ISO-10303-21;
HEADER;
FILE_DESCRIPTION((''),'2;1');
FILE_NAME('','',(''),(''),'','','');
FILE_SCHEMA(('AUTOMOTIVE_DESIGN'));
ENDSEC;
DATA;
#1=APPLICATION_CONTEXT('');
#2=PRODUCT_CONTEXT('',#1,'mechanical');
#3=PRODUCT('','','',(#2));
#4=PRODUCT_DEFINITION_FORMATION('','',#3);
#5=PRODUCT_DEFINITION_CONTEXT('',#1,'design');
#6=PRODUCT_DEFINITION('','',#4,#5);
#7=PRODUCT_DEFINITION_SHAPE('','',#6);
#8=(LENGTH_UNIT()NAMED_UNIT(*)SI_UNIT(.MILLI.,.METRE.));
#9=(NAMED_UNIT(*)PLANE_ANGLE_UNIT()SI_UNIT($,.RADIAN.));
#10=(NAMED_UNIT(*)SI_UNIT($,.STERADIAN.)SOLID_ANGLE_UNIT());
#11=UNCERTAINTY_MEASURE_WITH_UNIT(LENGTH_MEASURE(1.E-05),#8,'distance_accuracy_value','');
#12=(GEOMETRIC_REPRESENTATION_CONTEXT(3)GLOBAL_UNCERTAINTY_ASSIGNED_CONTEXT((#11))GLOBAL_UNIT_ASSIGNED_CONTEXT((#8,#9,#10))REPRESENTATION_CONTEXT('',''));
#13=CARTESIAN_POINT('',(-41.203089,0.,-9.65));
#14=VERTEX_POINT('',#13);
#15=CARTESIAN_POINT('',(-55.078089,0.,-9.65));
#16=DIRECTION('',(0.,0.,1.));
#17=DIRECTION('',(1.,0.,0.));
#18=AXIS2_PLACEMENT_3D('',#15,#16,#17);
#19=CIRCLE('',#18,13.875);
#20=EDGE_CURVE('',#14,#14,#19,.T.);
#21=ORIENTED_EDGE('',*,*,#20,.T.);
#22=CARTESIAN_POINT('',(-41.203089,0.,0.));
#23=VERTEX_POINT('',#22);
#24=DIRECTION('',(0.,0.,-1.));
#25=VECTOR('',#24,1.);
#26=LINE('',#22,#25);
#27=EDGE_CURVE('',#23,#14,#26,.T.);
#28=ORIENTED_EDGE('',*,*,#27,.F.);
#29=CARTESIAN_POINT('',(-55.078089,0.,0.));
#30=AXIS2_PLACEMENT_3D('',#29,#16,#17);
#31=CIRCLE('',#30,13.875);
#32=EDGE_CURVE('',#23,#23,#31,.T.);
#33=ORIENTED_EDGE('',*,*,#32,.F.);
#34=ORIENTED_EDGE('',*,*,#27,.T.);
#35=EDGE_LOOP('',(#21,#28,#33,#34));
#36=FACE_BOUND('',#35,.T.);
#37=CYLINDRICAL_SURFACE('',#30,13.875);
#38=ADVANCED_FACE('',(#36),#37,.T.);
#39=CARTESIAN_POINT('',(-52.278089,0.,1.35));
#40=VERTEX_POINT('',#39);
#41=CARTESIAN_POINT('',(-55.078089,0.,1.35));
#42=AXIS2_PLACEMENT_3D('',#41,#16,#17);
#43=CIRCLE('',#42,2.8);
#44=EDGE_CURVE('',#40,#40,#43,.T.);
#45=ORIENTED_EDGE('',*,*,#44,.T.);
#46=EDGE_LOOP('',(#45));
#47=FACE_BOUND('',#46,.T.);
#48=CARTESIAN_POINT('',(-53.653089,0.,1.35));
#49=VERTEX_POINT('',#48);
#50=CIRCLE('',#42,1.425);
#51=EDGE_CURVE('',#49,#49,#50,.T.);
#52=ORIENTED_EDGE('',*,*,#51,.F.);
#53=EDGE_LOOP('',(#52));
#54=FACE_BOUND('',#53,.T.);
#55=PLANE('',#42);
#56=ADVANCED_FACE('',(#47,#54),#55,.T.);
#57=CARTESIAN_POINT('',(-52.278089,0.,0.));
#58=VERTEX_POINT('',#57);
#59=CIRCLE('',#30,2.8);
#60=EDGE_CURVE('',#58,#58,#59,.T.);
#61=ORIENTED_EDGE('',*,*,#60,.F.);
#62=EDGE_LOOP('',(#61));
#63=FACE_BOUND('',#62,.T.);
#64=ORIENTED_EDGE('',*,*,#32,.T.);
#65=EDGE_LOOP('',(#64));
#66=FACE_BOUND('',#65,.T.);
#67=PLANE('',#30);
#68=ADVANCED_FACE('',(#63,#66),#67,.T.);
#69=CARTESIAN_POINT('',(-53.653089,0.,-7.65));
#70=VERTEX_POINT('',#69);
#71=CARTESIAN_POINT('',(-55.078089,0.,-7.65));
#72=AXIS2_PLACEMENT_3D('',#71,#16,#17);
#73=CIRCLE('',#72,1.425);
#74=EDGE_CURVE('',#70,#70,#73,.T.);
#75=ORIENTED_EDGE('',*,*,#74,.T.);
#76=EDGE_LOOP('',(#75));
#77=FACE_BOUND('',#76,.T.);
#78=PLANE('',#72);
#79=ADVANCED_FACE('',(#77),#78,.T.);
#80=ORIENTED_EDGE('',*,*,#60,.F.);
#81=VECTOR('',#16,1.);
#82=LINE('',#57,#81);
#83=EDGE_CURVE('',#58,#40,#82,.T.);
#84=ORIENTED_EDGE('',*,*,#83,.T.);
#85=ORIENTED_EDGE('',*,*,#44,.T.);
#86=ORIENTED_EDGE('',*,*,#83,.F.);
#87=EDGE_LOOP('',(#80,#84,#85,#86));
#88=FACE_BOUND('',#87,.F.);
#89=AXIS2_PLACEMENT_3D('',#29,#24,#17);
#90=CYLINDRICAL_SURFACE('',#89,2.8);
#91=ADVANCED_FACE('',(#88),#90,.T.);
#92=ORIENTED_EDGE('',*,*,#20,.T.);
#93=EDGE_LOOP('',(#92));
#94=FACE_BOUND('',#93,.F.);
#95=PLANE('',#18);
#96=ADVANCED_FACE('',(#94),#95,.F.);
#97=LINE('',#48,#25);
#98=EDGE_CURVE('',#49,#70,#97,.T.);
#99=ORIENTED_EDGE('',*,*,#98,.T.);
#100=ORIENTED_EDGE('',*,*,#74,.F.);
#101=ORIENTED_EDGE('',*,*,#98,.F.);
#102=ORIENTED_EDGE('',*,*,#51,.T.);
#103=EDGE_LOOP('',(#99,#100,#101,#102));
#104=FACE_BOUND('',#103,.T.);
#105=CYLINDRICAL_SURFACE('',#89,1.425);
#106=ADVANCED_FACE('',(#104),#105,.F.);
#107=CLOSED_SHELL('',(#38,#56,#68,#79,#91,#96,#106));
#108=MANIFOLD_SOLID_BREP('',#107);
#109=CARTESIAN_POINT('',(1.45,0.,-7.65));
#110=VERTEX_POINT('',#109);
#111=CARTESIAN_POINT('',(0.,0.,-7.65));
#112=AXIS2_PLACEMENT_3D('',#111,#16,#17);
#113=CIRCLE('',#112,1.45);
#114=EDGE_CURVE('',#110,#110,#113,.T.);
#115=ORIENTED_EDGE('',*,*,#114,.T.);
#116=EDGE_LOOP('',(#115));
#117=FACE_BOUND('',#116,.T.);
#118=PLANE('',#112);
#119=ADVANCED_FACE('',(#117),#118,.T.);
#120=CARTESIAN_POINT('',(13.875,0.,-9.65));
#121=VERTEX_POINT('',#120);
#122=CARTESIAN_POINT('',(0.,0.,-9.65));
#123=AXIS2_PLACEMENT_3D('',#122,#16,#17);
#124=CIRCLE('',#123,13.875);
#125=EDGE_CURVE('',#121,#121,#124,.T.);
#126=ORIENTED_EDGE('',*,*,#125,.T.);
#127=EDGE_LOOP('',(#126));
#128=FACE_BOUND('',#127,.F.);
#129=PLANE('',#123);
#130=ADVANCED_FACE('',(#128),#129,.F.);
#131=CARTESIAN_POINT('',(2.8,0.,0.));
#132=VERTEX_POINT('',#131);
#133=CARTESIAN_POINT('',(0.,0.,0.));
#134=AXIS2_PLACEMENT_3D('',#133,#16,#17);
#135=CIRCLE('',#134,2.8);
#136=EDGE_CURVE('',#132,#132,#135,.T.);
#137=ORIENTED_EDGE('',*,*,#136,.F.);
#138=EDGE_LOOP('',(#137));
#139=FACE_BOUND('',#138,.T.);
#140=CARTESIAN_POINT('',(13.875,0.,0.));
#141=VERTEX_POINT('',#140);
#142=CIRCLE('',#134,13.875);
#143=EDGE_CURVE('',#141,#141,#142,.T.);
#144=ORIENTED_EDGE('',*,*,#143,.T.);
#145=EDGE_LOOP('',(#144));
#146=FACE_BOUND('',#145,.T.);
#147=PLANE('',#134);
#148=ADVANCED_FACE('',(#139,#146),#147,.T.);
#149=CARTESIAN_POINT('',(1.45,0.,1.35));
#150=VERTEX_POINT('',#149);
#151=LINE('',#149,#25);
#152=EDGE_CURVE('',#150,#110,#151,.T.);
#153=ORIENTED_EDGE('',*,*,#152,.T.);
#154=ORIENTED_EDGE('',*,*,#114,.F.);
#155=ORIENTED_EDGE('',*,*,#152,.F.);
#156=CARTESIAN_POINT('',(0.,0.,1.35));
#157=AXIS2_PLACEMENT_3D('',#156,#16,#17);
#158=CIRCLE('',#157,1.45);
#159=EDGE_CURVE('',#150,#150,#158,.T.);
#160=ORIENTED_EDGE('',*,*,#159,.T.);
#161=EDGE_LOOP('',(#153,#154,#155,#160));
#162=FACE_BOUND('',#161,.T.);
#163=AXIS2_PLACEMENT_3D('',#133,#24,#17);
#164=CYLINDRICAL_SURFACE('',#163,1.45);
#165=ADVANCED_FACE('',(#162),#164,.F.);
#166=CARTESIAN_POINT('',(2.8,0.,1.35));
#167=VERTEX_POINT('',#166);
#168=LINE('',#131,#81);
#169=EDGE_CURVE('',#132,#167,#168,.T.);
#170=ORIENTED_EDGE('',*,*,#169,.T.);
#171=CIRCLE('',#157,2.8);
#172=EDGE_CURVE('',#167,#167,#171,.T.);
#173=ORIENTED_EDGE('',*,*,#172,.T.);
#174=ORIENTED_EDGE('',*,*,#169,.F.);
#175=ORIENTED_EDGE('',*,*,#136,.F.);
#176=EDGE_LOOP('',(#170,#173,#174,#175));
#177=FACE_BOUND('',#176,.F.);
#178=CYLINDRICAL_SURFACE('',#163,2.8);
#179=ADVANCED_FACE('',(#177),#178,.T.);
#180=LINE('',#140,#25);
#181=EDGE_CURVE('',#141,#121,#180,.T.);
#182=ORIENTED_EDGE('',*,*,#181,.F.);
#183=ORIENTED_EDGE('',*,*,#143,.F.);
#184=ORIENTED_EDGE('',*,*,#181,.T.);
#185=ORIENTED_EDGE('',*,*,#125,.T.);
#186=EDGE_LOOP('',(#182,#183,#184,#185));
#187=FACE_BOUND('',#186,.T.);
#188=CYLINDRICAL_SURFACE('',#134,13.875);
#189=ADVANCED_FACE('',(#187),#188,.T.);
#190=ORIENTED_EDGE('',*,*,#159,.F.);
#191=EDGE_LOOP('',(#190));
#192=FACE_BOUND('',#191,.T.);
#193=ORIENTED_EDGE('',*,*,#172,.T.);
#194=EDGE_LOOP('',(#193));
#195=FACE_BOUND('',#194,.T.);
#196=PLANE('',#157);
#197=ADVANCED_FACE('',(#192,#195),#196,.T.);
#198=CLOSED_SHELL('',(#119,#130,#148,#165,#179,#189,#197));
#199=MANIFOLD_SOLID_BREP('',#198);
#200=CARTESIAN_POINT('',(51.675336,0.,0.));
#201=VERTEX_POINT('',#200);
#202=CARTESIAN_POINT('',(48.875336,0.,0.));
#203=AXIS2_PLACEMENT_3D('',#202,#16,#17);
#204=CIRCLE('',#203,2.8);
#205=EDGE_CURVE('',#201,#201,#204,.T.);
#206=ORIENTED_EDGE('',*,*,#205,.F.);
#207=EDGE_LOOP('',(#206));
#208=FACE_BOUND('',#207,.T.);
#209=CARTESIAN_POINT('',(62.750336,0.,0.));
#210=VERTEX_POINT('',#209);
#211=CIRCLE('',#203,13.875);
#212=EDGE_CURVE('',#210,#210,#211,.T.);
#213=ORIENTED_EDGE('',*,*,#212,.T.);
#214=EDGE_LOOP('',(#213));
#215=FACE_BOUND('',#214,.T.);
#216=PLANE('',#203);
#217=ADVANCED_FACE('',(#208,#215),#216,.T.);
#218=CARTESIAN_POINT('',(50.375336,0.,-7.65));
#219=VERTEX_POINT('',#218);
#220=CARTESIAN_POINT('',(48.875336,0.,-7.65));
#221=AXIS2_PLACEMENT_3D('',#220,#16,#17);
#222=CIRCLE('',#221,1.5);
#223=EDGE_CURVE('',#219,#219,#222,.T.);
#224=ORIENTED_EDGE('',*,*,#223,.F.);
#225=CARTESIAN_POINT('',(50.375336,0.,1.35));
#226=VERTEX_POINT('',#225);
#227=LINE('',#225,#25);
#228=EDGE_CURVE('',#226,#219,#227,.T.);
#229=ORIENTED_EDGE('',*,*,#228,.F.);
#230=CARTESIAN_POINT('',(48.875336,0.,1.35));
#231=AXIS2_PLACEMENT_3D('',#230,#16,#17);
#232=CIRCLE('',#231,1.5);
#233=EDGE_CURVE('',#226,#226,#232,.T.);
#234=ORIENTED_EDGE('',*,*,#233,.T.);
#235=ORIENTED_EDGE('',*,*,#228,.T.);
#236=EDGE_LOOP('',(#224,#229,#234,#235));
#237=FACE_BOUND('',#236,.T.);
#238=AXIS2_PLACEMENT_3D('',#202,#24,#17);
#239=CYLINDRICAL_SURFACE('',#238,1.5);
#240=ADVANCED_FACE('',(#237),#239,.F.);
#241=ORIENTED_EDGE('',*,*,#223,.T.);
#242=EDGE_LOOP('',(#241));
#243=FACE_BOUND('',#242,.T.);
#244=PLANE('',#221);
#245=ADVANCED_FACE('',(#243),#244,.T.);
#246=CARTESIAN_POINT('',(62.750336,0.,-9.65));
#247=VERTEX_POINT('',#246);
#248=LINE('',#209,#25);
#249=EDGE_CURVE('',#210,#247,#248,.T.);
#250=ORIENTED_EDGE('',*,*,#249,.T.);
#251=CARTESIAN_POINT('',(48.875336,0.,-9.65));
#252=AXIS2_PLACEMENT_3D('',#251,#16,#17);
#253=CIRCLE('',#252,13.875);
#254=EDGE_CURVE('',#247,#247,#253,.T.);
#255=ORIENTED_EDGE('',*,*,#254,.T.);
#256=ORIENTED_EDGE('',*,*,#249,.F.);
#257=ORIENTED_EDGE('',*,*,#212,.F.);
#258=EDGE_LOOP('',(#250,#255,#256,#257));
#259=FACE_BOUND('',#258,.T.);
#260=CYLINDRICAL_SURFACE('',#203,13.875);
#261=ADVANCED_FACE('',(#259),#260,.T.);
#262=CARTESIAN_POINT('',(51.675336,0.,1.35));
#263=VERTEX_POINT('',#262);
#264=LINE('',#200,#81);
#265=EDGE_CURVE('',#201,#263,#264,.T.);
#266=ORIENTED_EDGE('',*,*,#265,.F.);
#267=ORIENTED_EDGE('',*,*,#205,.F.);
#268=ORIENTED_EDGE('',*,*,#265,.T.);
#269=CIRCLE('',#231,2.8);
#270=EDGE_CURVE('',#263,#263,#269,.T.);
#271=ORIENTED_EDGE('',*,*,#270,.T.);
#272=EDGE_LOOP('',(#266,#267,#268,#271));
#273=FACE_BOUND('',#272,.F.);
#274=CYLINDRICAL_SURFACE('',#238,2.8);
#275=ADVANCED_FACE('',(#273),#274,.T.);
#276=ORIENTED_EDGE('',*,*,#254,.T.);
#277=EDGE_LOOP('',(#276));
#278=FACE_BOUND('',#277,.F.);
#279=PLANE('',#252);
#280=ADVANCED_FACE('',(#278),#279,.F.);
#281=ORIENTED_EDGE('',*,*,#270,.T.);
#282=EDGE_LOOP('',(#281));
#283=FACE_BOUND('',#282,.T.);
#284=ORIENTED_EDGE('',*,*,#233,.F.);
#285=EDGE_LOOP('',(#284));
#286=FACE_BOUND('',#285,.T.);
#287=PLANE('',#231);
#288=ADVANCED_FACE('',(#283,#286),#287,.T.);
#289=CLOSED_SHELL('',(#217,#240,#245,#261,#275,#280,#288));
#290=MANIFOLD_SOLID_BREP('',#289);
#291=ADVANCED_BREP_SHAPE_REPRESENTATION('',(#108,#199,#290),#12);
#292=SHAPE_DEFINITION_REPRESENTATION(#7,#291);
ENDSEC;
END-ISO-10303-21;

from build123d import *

# Parameters (mm, degrees)
F0_R     = 13.875
F0_R_2   = 2.8
F0_R_3   = 1.45
F0_R_4   = 1.425
F0_R_5   = 1.5
F1_DEPTH = 9.65
F2_DEPTH = 1.35
F3_DEPTH = 7.65


with BuildPart() as f1:
    # F0 (on Top) → F1 (new body)
    with BuildSketch(Plane.XY):
        Circle(F0_R)
        Circle(F0_R_2, mode=Mode.SUBTRACT)
        with Locations((48.875336, 0)):
            Circle(F0_R)
        with Locations((48.875336, 0)):
            Circle(F0_R_2, mode=Mode.SUBTRACT)
        with Locations((-55.078089, 0)):
            Circle(F0_R)
        with Locations((-55.078089, 0)):
            Circle(F0_R_2, mode=Mode.SUBTRACT)
        Circle(F0_R_2)
        Circle(F0_R_3, mode=Mode.SUBTRACT)
        Circle(F0_R_3)
        with Locations((-55.078089, 0)):
            Circle(F0_R_2)
        with Locations((-55.078089, 0)):
            Circle(F0_R_4, mode=Mode.SUBTRACT)
        with Locations((-55.078089, 0)):
            Circle(F0_R_4)
        with Locations((48.875336, 0)):
            Circle(F0_R_2)
        with Locations((48.875336, 0)):
            Circle(F0_R_5, mode=Mode.SUBTRACT)
        with Locations((48.875336, 0)):
            Circle(F0_R_5)
    extrude(amount=-F1_DEPTH)

    # F0 (on Top) → F2 (join)
    with BuildSketch(Plane.XY):
        Circle(F0_R_2)
        Circle(F0_R_3, mode=Mode.SUBTRACT)
        with Locations((48.875336, 0)):
            Circle(F0_R_2)
        with Locations((48.875336, 0)):
            Circle(F0_R_5, mode=Mode.SUBTRACT)
        with Locations((-55.078089, 0)):
            Circle(F0_R_2)
        with Locations((-55.078089, 0)):
            Circle(F0_R_4, mode=Mode.SUBTRACT)
    extrude(amount=F2_DEPTH)

    # F0 (on Top) → F3 (cut)
    with BuildSketch(Plane.XY):
        Circle(F0_R_3)
        with Locations((-55.078089, 0)):
            Circle(F0_R_4)
        with Locations((48.875336, 0)):
            Circle(F0_R_5)
    extrude(amount=-F3_DEPTH, mode=Mode.SUBTRACT)


solid = f1.part
